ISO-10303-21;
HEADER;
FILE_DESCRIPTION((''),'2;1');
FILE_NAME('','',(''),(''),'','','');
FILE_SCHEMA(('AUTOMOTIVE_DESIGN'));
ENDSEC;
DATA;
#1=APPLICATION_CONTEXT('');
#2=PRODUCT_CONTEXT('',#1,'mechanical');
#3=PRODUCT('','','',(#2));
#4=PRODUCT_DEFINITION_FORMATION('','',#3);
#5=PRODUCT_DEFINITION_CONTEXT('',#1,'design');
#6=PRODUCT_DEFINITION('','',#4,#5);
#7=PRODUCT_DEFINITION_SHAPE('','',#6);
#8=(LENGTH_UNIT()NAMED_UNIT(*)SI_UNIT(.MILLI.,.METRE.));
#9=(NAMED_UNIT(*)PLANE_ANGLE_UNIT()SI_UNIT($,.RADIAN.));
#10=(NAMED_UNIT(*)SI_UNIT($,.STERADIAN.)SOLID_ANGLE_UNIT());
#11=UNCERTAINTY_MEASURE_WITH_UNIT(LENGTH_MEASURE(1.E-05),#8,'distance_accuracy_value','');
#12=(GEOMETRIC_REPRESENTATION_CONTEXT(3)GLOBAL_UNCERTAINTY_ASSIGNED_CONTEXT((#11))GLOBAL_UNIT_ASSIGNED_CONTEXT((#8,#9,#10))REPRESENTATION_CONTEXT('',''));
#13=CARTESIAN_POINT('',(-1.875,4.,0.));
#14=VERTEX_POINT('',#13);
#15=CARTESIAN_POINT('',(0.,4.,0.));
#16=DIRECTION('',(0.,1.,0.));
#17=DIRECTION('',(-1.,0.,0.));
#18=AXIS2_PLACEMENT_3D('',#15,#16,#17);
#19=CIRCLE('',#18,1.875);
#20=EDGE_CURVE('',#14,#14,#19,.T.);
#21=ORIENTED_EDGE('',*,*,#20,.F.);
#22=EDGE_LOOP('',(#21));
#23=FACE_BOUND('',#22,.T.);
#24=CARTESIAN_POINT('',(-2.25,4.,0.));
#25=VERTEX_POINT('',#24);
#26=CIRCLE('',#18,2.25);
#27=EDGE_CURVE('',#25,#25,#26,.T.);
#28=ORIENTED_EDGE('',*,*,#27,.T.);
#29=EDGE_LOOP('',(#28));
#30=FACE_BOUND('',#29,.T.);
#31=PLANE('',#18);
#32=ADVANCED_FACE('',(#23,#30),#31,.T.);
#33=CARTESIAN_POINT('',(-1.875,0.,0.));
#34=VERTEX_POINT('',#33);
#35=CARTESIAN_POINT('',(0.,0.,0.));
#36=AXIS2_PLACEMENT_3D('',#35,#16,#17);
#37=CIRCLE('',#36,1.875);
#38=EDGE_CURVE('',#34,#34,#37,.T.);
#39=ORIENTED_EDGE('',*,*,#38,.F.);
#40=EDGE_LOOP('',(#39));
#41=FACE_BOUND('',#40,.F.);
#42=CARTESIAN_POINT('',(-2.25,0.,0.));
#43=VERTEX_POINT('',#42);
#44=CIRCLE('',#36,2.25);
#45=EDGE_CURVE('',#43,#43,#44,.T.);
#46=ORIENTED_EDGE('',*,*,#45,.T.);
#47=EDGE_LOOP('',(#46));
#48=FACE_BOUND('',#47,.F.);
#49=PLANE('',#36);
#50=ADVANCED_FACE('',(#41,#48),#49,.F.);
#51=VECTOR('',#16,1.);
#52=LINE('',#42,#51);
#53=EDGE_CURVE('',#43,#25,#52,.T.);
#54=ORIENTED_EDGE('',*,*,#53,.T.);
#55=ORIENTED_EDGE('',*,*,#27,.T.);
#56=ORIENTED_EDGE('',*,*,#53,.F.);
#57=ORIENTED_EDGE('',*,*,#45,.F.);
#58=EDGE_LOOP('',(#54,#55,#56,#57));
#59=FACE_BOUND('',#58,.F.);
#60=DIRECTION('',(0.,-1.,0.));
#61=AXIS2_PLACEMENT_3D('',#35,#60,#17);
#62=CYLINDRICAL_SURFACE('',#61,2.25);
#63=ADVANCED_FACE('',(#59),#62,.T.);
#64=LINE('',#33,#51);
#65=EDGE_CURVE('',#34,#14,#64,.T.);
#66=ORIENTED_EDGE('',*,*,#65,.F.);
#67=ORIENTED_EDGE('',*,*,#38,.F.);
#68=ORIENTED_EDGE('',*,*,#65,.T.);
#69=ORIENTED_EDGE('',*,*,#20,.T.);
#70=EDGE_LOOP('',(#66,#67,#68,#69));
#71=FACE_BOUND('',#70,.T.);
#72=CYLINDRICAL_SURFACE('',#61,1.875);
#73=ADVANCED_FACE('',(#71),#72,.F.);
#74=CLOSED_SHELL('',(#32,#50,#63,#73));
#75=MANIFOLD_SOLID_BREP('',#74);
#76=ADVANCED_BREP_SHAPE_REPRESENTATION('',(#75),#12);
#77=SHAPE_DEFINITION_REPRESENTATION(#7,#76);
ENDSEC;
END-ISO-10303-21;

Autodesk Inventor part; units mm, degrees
ref_plane "YZ Plane" through (0, 0, 0) normal (1, 0, 0) x (0, 1, 0)
ref_plane "XZ Plane" through (0, 0, 0) normal (0, 1, 0) x (-1, 0, 0)
ref_plane "XY Plane" through (0, 0, 0) normal (0, 0, 1) x (1, 0, 0)
sketch "Sketch1" plane through (0, 0, 0) normal (0, 1, 0) x (-1, 0, 0)
  circle A0 centre (0, 0) radius 2.25
  circle A1 centre (0, 0) radius 1.875
  dimension "d0" = 4.5
  dimension "d1" = 3.75
extrude "Extrusion1" add sketch "Sketch1" along normal blind 4
properties part number "mtv_bearingFilling(brakeingAxel) 2-14"
